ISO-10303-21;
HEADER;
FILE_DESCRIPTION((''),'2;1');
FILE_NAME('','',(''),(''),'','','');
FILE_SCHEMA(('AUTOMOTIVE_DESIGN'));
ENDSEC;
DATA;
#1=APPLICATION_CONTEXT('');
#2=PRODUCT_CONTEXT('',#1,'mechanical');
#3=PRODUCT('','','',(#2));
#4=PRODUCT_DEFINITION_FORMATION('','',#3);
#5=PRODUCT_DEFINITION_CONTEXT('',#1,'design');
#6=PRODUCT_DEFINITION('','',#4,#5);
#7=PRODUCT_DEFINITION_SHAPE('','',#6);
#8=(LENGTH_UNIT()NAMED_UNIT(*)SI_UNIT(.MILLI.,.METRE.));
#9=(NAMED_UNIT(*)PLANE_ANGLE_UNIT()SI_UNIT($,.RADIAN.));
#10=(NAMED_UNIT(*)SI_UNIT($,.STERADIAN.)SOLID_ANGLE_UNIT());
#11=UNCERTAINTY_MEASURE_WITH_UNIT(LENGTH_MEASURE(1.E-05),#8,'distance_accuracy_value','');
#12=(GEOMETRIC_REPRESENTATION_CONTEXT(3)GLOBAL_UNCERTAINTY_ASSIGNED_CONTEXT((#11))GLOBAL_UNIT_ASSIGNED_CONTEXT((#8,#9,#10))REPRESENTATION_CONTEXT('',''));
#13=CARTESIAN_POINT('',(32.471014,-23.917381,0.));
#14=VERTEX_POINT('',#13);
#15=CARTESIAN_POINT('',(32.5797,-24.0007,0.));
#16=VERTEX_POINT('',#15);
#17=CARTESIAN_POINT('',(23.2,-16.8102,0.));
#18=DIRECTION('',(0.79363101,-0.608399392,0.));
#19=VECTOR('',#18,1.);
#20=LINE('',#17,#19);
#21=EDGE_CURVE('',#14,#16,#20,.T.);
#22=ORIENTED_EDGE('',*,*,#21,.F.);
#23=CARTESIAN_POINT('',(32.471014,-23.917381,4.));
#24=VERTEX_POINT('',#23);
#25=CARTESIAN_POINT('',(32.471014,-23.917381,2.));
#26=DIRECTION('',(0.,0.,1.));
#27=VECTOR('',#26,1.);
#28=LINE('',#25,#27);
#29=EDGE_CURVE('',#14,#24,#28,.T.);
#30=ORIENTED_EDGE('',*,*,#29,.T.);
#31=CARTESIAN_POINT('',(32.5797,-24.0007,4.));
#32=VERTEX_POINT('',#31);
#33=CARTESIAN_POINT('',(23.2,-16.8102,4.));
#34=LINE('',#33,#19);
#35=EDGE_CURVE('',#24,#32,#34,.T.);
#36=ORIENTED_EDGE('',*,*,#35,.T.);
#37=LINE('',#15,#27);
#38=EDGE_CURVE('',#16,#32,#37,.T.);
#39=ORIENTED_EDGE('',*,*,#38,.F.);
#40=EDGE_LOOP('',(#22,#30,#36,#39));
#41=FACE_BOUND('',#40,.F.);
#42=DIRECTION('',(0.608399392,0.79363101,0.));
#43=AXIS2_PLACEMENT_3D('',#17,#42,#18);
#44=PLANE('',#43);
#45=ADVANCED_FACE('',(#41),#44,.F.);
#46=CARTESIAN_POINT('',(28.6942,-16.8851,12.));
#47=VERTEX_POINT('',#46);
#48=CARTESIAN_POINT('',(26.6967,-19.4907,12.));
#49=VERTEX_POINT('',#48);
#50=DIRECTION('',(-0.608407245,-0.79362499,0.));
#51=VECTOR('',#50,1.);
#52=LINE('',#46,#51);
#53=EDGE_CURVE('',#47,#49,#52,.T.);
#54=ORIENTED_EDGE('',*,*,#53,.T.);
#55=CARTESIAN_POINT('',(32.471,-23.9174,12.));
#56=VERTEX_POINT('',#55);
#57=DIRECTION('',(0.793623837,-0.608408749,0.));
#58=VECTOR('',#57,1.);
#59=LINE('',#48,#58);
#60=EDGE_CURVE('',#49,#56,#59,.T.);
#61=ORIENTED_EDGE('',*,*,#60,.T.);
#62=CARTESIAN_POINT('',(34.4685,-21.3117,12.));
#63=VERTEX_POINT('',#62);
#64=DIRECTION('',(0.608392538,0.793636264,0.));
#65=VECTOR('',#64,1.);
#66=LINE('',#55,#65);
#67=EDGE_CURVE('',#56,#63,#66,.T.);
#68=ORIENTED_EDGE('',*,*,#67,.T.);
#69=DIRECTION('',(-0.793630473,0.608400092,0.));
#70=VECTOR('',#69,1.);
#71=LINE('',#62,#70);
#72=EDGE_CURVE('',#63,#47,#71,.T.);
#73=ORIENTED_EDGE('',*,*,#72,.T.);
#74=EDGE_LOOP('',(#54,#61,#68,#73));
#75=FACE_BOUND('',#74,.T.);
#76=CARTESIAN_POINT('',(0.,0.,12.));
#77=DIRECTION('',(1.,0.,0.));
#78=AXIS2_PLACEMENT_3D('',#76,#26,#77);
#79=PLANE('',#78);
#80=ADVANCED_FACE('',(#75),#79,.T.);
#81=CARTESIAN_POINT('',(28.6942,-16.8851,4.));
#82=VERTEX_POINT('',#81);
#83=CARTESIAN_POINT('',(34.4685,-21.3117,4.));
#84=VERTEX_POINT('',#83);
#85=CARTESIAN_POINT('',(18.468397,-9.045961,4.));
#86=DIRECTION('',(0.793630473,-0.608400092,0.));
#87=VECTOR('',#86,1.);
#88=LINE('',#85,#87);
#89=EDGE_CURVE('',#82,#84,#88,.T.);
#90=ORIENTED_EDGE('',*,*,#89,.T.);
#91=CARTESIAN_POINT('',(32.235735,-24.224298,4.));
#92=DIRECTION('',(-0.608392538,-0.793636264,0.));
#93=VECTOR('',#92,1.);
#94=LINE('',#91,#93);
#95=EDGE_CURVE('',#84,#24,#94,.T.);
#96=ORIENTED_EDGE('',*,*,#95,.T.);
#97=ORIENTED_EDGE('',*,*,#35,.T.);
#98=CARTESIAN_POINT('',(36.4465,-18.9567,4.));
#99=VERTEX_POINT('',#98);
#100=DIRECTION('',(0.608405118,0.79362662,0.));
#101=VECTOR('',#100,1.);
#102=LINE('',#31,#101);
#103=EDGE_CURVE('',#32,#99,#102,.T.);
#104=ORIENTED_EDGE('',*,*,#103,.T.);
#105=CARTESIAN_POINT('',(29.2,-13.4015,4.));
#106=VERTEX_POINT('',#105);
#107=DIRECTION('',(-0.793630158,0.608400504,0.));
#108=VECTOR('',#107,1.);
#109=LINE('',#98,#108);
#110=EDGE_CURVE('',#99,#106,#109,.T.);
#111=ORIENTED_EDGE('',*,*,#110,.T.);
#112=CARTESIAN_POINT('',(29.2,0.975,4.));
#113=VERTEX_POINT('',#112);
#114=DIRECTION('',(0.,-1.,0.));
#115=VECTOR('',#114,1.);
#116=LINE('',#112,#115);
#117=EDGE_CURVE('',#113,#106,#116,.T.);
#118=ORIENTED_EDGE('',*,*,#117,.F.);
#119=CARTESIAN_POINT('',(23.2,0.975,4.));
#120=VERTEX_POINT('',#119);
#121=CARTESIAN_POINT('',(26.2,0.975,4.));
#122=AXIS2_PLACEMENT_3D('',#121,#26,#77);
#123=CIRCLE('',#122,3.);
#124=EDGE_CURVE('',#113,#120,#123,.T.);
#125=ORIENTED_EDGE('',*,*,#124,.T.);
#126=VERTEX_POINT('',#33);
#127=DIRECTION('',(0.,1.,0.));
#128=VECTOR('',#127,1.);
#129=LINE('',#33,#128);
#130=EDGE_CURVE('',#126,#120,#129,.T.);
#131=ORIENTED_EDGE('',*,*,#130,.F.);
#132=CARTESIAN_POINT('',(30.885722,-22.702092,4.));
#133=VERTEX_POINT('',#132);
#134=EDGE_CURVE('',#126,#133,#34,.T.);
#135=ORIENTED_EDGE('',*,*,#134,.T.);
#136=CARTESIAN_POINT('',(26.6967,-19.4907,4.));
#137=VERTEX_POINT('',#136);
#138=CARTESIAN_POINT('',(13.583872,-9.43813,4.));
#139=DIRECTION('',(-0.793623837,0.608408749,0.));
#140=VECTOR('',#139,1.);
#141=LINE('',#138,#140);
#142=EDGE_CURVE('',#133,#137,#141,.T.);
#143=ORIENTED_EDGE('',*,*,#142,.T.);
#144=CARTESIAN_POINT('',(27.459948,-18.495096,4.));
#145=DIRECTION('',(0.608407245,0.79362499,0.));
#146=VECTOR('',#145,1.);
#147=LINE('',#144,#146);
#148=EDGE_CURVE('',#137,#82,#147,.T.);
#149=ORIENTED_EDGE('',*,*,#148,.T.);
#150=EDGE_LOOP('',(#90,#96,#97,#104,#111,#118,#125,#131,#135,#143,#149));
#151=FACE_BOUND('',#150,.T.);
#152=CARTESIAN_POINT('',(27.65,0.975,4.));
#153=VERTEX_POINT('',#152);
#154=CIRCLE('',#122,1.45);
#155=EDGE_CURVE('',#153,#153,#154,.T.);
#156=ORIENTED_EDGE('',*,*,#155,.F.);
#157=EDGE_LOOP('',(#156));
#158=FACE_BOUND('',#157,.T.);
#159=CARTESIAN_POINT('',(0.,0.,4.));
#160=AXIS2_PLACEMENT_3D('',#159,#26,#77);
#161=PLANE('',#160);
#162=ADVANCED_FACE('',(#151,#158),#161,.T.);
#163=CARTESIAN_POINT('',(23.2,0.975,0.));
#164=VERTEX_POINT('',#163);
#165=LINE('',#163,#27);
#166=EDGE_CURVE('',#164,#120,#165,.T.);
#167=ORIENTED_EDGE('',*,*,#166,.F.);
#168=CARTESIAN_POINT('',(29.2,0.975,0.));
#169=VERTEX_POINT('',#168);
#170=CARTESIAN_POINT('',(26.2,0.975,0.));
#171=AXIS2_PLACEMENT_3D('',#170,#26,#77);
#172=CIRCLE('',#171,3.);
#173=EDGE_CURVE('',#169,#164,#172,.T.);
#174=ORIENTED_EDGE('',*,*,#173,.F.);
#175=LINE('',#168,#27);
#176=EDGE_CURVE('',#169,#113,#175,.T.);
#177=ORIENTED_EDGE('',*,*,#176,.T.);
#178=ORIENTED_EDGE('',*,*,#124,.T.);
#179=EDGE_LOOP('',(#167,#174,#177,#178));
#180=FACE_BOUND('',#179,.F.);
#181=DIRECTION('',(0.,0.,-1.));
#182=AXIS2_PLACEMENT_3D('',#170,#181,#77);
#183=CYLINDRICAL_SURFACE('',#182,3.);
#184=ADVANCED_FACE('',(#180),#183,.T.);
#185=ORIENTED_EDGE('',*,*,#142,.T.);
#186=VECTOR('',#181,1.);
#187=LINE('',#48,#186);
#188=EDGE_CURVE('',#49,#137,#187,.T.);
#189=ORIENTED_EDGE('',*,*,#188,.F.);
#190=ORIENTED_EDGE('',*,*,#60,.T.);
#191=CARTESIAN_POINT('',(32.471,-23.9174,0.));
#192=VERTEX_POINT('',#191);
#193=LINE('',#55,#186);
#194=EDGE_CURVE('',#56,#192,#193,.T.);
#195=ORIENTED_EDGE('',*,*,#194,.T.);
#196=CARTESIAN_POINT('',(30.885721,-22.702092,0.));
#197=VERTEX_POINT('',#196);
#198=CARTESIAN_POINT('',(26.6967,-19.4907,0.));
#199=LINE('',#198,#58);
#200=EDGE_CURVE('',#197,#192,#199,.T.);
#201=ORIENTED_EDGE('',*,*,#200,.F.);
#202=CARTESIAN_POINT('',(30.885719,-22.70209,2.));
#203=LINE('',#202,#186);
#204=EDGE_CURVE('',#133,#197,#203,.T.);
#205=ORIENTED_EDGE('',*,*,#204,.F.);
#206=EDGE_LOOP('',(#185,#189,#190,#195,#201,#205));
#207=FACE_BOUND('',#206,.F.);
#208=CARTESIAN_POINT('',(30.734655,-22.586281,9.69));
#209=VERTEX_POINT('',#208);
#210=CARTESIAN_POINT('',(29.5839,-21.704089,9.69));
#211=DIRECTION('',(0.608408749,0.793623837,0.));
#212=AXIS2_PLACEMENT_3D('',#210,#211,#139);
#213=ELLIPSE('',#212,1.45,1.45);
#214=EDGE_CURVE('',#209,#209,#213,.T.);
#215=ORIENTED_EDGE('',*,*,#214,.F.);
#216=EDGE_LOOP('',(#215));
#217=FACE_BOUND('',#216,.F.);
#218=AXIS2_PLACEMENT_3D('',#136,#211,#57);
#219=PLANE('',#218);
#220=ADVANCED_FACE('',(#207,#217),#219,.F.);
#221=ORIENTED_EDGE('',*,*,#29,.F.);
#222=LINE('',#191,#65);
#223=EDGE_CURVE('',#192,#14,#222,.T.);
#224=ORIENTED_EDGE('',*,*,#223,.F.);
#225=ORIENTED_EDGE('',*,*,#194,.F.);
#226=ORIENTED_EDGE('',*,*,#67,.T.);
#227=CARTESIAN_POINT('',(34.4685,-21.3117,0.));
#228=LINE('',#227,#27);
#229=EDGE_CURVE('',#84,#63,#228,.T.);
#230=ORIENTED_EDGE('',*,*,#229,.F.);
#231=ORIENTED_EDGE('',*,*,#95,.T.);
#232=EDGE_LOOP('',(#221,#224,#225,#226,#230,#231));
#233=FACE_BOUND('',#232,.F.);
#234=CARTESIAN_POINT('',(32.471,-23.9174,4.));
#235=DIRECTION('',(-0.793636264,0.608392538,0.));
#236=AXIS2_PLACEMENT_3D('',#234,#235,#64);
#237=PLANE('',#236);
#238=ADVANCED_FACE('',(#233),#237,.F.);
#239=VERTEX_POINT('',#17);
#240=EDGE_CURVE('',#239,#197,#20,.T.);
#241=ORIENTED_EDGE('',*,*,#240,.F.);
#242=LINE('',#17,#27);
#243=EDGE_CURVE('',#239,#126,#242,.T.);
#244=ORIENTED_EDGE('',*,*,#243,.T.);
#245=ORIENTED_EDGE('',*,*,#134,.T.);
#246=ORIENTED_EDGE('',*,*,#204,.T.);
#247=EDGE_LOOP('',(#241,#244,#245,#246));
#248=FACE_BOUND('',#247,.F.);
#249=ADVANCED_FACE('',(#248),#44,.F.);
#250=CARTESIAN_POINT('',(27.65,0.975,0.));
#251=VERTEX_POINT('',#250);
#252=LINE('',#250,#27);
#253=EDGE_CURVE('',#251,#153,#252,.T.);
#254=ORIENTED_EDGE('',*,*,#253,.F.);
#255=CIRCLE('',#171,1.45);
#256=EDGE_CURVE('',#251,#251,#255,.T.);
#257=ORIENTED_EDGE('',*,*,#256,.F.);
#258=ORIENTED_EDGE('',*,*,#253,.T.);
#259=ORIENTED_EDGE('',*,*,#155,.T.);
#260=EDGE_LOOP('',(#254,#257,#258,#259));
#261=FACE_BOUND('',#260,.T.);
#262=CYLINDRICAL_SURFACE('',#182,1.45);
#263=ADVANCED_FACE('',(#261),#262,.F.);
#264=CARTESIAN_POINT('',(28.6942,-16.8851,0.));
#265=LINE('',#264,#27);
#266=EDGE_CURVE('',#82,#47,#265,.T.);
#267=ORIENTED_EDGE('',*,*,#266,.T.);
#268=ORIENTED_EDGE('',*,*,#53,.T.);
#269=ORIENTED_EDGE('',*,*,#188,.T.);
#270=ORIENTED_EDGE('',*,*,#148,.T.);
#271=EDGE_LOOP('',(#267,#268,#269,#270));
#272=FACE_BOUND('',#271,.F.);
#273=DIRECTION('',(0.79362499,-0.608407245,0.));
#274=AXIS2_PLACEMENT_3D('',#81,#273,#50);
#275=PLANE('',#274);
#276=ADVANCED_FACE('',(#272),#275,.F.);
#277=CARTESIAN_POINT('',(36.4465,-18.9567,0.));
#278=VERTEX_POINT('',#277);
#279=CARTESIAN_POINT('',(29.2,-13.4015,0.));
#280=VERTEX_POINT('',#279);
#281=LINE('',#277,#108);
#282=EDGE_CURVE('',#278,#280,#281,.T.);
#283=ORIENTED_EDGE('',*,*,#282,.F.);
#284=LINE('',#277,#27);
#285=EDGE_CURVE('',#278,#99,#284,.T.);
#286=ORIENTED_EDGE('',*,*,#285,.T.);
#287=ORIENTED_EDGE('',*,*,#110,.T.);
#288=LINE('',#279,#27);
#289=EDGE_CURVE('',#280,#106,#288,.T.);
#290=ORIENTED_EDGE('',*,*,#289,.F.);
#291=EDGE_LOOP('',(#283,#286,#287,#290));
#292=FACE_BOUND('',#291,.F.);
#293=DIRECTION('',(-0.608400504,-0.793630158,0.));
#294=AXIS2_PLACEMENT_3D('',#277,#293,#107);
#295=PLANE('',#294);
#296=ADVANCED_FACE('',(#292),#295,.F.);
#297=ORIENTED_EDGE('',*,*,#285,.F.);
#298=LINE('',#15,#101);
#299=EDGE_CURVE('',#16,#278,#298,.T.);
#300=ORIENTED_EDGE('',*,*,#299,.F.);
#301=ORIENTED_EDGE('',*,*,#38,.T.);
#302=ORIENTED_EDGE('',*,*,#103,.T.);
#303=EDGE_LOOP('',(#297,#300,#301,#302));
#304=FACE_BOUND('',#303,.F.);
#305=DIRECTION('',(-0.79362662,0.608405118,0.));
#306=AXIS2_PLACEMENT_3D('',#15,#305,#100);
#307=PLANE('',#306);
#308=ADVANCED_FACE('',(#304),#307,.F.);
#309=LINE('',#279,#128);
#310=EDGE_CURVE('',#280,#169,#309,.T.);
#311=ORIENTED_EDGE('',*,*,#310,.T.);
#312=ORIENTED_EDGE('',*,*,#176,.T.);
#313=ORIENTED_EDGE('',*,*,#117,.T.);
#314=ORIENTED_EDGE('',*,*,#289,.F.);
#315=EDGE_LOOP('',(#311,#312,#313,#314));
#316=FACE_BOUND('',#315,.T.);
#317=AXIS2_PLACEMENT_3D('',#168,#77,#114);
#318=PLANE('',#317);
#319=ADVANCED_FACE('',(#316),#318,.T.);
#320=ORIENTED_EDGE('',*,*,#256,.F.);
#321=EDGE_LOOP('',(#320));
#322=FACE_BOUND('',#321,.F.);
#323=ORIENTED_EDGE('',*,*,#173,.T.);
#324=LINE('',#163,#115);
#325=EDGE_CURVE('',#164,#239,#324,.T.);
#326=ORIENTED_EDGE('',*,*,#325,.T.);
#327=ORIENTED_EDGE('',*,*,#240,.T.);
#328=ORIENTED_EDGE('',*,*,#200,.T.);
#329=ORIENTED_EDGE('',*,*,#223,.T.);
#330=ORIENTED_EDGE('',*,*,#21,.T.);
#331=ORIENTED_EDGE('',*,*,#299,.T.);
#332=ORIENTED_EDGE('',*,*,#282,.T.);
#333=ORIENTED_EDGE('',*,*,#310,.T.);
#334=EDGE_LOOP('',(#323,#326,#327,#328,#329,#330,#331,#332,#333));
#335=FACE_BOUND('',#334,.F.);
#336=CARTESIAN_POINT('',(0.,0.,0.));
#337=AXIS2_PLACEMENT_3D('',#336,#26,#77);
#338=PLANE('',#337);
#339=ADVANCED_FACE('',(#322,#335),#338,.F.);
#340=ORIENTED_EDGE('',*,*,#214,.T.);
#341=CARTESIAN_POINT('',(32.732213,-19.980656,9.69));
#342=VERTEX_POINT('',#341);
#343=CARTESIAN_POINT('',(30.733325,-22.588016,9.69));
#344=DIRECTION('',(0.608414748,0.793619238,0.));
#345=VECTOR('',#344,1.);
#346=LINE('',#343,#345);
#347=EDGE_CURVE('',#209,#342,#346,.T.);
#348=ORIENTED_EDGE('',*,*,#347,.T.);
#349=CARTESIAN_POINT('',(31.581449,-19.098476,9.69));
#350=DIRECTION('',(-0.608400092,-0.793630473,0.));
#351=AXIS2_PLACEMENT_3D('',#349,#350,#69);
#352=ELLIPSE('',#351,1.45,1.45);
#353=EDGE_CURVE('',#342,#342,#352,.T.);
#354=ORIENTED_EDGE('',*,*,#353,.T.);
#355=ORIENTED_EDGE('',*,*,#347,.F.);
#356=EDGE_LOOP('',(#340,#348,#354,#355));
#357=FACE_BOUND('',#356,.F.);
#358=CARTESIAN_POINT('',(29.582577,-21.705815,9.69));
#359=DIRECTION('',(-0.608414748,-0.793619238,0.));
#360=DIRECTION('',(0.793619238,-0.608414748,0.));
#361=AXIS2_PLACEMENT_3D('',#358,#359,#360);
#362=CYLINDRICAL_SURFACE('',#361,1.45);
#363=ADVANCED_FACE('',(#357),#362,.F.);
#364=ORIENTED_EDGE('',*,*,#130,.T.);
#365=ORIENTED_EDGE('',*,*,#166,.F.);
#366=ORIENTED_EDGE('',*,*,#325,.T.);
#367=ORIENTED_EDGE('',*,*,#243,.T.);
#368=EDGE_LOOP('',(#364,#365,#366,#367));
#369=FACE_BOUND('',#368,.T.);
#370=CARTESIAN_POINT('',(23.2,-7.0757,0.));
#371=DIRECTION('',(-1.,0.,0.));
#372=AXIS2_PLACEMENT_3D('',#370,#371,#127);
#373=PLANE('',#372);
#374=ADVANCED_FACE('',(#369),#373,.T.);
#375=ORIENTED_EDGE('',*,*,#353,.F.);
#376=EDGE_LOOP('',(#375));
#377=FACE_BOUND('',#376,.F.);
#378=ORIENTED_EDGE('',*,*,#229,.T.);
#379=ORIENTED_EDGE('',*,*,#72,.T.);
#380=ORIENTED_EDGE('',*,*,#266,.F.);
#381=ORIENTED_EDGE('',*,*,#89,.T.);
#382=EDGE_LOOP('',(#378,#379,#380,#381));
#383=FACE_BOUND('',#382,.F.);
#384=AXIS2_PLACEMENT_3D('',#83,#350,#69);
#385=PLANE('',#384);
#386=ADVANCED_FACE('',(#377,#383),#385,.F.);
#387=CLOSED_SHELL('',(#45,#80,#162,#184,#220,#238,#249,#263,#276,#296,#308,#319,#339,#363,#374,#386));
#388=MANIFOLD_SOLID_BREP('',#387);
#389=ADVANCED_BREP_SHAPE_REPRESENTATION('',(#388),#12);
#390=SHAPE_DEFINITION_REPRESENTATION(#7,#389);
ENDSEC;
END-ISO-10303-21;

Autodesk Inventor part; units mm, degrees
ref_plane "YZ Plane" through (0, 0, 0) normal (1, 0, 0) x (0, 1, 0)
ref_plane "XZ Plane" through (0, 0, 0) normal (0, 1, 0) x (-1, 0, 0)
ref_plane "XY Plane" through (0, 0, 0) normal (0, 0, 1) x (1, 0, 0)
sketch "Szkic1" plane through (0, 0, 0) normal (0, 0, 1) x (1, 0, 0)
  circle A0 centre (26.2, 0.975) radius 1.45 projected
  circle A1 centre (26.2, 0.975) radius 3
  line L0 (29.2, 0.975) -> (29.2, -8.7925)
  line L1 (23.2, -7.0757) -> (23.2, 0.975)
  line L2 (16.8275, -11.925) -> (-16.8275, 13.875) construction
  line L3 (23.2, -7.0757) -> (23.2, -16.8102)
  line L4 (23.2, -16.8102) -> (32.5797, -24.0007)
  line L5 (32.5797, -24.0007) -> (36.4465, -18.9567)
  line L6 (36.4465, -18.9567) -> (29.2, -13.4015)
  line L7 (29.2, -13.4015) -> (29.2, -8.7925)
  point P0 (0, 0)
  point P1 (29.2, -14.7925)
  point P2 (18.5681, -14.7925)
  point P3 (15.1107, -9.0757)
  point P4 (23.2, -9.0757)
  dimension "d5" = 6
  dimension "d12" = 2
  dimension "d13" = 6
extrude "Wyciągnięcie proste1" add sketch "Szkic1" along normal blind 4
sketch "Szkic4" plane through (0, 0, 4) normal (0, 0, 1) x (1, 0, 0)
  line L0 (34.4685, -21.3117) -> (28.6942, -16.8851)
  line L1 (16.8275, -11.925) -> (-16.8275, 13.875) construction
  line L2 (28.6942, -16.8851) -> (26.6967, -19.4907)
  line L3 (26.6967, -19.4907) -> (32.471, -23.9174)
  line L4 (32.471, -23.9174) -> (34.4685, -21.3117)
  line L5 (15.6301, -11.0071) -> (20.5681, -14.7925) projected
  line L6 (17.1107, -9.0757) -> (15.6301, -11.0071) projected
  point P0 (0, 0)
extrude "Wyciągnięcie proste2" add sketch "Szkic4" along normal blind 8 and the other way blind 4
sketch "Szkic6" plane through (23.2, -16.8102, 0) normal (-0.6084, -0.7936, 0) x (0.7936, -0.6084, 0)
  circle A0 centre (8.0439, 9.69) radius 1.45
  point P0 (-28.6395, 0)
  dimension "d21" = 2.9
extrude "Wyciągnięcie proste4" cut sketch "Szkic6" against normal blind 7
equation "\"d12\" = d11"
equation "\"d11\" = d7"
equation "\"d7\" = 2"
properties part number "mirror_arm_2"
